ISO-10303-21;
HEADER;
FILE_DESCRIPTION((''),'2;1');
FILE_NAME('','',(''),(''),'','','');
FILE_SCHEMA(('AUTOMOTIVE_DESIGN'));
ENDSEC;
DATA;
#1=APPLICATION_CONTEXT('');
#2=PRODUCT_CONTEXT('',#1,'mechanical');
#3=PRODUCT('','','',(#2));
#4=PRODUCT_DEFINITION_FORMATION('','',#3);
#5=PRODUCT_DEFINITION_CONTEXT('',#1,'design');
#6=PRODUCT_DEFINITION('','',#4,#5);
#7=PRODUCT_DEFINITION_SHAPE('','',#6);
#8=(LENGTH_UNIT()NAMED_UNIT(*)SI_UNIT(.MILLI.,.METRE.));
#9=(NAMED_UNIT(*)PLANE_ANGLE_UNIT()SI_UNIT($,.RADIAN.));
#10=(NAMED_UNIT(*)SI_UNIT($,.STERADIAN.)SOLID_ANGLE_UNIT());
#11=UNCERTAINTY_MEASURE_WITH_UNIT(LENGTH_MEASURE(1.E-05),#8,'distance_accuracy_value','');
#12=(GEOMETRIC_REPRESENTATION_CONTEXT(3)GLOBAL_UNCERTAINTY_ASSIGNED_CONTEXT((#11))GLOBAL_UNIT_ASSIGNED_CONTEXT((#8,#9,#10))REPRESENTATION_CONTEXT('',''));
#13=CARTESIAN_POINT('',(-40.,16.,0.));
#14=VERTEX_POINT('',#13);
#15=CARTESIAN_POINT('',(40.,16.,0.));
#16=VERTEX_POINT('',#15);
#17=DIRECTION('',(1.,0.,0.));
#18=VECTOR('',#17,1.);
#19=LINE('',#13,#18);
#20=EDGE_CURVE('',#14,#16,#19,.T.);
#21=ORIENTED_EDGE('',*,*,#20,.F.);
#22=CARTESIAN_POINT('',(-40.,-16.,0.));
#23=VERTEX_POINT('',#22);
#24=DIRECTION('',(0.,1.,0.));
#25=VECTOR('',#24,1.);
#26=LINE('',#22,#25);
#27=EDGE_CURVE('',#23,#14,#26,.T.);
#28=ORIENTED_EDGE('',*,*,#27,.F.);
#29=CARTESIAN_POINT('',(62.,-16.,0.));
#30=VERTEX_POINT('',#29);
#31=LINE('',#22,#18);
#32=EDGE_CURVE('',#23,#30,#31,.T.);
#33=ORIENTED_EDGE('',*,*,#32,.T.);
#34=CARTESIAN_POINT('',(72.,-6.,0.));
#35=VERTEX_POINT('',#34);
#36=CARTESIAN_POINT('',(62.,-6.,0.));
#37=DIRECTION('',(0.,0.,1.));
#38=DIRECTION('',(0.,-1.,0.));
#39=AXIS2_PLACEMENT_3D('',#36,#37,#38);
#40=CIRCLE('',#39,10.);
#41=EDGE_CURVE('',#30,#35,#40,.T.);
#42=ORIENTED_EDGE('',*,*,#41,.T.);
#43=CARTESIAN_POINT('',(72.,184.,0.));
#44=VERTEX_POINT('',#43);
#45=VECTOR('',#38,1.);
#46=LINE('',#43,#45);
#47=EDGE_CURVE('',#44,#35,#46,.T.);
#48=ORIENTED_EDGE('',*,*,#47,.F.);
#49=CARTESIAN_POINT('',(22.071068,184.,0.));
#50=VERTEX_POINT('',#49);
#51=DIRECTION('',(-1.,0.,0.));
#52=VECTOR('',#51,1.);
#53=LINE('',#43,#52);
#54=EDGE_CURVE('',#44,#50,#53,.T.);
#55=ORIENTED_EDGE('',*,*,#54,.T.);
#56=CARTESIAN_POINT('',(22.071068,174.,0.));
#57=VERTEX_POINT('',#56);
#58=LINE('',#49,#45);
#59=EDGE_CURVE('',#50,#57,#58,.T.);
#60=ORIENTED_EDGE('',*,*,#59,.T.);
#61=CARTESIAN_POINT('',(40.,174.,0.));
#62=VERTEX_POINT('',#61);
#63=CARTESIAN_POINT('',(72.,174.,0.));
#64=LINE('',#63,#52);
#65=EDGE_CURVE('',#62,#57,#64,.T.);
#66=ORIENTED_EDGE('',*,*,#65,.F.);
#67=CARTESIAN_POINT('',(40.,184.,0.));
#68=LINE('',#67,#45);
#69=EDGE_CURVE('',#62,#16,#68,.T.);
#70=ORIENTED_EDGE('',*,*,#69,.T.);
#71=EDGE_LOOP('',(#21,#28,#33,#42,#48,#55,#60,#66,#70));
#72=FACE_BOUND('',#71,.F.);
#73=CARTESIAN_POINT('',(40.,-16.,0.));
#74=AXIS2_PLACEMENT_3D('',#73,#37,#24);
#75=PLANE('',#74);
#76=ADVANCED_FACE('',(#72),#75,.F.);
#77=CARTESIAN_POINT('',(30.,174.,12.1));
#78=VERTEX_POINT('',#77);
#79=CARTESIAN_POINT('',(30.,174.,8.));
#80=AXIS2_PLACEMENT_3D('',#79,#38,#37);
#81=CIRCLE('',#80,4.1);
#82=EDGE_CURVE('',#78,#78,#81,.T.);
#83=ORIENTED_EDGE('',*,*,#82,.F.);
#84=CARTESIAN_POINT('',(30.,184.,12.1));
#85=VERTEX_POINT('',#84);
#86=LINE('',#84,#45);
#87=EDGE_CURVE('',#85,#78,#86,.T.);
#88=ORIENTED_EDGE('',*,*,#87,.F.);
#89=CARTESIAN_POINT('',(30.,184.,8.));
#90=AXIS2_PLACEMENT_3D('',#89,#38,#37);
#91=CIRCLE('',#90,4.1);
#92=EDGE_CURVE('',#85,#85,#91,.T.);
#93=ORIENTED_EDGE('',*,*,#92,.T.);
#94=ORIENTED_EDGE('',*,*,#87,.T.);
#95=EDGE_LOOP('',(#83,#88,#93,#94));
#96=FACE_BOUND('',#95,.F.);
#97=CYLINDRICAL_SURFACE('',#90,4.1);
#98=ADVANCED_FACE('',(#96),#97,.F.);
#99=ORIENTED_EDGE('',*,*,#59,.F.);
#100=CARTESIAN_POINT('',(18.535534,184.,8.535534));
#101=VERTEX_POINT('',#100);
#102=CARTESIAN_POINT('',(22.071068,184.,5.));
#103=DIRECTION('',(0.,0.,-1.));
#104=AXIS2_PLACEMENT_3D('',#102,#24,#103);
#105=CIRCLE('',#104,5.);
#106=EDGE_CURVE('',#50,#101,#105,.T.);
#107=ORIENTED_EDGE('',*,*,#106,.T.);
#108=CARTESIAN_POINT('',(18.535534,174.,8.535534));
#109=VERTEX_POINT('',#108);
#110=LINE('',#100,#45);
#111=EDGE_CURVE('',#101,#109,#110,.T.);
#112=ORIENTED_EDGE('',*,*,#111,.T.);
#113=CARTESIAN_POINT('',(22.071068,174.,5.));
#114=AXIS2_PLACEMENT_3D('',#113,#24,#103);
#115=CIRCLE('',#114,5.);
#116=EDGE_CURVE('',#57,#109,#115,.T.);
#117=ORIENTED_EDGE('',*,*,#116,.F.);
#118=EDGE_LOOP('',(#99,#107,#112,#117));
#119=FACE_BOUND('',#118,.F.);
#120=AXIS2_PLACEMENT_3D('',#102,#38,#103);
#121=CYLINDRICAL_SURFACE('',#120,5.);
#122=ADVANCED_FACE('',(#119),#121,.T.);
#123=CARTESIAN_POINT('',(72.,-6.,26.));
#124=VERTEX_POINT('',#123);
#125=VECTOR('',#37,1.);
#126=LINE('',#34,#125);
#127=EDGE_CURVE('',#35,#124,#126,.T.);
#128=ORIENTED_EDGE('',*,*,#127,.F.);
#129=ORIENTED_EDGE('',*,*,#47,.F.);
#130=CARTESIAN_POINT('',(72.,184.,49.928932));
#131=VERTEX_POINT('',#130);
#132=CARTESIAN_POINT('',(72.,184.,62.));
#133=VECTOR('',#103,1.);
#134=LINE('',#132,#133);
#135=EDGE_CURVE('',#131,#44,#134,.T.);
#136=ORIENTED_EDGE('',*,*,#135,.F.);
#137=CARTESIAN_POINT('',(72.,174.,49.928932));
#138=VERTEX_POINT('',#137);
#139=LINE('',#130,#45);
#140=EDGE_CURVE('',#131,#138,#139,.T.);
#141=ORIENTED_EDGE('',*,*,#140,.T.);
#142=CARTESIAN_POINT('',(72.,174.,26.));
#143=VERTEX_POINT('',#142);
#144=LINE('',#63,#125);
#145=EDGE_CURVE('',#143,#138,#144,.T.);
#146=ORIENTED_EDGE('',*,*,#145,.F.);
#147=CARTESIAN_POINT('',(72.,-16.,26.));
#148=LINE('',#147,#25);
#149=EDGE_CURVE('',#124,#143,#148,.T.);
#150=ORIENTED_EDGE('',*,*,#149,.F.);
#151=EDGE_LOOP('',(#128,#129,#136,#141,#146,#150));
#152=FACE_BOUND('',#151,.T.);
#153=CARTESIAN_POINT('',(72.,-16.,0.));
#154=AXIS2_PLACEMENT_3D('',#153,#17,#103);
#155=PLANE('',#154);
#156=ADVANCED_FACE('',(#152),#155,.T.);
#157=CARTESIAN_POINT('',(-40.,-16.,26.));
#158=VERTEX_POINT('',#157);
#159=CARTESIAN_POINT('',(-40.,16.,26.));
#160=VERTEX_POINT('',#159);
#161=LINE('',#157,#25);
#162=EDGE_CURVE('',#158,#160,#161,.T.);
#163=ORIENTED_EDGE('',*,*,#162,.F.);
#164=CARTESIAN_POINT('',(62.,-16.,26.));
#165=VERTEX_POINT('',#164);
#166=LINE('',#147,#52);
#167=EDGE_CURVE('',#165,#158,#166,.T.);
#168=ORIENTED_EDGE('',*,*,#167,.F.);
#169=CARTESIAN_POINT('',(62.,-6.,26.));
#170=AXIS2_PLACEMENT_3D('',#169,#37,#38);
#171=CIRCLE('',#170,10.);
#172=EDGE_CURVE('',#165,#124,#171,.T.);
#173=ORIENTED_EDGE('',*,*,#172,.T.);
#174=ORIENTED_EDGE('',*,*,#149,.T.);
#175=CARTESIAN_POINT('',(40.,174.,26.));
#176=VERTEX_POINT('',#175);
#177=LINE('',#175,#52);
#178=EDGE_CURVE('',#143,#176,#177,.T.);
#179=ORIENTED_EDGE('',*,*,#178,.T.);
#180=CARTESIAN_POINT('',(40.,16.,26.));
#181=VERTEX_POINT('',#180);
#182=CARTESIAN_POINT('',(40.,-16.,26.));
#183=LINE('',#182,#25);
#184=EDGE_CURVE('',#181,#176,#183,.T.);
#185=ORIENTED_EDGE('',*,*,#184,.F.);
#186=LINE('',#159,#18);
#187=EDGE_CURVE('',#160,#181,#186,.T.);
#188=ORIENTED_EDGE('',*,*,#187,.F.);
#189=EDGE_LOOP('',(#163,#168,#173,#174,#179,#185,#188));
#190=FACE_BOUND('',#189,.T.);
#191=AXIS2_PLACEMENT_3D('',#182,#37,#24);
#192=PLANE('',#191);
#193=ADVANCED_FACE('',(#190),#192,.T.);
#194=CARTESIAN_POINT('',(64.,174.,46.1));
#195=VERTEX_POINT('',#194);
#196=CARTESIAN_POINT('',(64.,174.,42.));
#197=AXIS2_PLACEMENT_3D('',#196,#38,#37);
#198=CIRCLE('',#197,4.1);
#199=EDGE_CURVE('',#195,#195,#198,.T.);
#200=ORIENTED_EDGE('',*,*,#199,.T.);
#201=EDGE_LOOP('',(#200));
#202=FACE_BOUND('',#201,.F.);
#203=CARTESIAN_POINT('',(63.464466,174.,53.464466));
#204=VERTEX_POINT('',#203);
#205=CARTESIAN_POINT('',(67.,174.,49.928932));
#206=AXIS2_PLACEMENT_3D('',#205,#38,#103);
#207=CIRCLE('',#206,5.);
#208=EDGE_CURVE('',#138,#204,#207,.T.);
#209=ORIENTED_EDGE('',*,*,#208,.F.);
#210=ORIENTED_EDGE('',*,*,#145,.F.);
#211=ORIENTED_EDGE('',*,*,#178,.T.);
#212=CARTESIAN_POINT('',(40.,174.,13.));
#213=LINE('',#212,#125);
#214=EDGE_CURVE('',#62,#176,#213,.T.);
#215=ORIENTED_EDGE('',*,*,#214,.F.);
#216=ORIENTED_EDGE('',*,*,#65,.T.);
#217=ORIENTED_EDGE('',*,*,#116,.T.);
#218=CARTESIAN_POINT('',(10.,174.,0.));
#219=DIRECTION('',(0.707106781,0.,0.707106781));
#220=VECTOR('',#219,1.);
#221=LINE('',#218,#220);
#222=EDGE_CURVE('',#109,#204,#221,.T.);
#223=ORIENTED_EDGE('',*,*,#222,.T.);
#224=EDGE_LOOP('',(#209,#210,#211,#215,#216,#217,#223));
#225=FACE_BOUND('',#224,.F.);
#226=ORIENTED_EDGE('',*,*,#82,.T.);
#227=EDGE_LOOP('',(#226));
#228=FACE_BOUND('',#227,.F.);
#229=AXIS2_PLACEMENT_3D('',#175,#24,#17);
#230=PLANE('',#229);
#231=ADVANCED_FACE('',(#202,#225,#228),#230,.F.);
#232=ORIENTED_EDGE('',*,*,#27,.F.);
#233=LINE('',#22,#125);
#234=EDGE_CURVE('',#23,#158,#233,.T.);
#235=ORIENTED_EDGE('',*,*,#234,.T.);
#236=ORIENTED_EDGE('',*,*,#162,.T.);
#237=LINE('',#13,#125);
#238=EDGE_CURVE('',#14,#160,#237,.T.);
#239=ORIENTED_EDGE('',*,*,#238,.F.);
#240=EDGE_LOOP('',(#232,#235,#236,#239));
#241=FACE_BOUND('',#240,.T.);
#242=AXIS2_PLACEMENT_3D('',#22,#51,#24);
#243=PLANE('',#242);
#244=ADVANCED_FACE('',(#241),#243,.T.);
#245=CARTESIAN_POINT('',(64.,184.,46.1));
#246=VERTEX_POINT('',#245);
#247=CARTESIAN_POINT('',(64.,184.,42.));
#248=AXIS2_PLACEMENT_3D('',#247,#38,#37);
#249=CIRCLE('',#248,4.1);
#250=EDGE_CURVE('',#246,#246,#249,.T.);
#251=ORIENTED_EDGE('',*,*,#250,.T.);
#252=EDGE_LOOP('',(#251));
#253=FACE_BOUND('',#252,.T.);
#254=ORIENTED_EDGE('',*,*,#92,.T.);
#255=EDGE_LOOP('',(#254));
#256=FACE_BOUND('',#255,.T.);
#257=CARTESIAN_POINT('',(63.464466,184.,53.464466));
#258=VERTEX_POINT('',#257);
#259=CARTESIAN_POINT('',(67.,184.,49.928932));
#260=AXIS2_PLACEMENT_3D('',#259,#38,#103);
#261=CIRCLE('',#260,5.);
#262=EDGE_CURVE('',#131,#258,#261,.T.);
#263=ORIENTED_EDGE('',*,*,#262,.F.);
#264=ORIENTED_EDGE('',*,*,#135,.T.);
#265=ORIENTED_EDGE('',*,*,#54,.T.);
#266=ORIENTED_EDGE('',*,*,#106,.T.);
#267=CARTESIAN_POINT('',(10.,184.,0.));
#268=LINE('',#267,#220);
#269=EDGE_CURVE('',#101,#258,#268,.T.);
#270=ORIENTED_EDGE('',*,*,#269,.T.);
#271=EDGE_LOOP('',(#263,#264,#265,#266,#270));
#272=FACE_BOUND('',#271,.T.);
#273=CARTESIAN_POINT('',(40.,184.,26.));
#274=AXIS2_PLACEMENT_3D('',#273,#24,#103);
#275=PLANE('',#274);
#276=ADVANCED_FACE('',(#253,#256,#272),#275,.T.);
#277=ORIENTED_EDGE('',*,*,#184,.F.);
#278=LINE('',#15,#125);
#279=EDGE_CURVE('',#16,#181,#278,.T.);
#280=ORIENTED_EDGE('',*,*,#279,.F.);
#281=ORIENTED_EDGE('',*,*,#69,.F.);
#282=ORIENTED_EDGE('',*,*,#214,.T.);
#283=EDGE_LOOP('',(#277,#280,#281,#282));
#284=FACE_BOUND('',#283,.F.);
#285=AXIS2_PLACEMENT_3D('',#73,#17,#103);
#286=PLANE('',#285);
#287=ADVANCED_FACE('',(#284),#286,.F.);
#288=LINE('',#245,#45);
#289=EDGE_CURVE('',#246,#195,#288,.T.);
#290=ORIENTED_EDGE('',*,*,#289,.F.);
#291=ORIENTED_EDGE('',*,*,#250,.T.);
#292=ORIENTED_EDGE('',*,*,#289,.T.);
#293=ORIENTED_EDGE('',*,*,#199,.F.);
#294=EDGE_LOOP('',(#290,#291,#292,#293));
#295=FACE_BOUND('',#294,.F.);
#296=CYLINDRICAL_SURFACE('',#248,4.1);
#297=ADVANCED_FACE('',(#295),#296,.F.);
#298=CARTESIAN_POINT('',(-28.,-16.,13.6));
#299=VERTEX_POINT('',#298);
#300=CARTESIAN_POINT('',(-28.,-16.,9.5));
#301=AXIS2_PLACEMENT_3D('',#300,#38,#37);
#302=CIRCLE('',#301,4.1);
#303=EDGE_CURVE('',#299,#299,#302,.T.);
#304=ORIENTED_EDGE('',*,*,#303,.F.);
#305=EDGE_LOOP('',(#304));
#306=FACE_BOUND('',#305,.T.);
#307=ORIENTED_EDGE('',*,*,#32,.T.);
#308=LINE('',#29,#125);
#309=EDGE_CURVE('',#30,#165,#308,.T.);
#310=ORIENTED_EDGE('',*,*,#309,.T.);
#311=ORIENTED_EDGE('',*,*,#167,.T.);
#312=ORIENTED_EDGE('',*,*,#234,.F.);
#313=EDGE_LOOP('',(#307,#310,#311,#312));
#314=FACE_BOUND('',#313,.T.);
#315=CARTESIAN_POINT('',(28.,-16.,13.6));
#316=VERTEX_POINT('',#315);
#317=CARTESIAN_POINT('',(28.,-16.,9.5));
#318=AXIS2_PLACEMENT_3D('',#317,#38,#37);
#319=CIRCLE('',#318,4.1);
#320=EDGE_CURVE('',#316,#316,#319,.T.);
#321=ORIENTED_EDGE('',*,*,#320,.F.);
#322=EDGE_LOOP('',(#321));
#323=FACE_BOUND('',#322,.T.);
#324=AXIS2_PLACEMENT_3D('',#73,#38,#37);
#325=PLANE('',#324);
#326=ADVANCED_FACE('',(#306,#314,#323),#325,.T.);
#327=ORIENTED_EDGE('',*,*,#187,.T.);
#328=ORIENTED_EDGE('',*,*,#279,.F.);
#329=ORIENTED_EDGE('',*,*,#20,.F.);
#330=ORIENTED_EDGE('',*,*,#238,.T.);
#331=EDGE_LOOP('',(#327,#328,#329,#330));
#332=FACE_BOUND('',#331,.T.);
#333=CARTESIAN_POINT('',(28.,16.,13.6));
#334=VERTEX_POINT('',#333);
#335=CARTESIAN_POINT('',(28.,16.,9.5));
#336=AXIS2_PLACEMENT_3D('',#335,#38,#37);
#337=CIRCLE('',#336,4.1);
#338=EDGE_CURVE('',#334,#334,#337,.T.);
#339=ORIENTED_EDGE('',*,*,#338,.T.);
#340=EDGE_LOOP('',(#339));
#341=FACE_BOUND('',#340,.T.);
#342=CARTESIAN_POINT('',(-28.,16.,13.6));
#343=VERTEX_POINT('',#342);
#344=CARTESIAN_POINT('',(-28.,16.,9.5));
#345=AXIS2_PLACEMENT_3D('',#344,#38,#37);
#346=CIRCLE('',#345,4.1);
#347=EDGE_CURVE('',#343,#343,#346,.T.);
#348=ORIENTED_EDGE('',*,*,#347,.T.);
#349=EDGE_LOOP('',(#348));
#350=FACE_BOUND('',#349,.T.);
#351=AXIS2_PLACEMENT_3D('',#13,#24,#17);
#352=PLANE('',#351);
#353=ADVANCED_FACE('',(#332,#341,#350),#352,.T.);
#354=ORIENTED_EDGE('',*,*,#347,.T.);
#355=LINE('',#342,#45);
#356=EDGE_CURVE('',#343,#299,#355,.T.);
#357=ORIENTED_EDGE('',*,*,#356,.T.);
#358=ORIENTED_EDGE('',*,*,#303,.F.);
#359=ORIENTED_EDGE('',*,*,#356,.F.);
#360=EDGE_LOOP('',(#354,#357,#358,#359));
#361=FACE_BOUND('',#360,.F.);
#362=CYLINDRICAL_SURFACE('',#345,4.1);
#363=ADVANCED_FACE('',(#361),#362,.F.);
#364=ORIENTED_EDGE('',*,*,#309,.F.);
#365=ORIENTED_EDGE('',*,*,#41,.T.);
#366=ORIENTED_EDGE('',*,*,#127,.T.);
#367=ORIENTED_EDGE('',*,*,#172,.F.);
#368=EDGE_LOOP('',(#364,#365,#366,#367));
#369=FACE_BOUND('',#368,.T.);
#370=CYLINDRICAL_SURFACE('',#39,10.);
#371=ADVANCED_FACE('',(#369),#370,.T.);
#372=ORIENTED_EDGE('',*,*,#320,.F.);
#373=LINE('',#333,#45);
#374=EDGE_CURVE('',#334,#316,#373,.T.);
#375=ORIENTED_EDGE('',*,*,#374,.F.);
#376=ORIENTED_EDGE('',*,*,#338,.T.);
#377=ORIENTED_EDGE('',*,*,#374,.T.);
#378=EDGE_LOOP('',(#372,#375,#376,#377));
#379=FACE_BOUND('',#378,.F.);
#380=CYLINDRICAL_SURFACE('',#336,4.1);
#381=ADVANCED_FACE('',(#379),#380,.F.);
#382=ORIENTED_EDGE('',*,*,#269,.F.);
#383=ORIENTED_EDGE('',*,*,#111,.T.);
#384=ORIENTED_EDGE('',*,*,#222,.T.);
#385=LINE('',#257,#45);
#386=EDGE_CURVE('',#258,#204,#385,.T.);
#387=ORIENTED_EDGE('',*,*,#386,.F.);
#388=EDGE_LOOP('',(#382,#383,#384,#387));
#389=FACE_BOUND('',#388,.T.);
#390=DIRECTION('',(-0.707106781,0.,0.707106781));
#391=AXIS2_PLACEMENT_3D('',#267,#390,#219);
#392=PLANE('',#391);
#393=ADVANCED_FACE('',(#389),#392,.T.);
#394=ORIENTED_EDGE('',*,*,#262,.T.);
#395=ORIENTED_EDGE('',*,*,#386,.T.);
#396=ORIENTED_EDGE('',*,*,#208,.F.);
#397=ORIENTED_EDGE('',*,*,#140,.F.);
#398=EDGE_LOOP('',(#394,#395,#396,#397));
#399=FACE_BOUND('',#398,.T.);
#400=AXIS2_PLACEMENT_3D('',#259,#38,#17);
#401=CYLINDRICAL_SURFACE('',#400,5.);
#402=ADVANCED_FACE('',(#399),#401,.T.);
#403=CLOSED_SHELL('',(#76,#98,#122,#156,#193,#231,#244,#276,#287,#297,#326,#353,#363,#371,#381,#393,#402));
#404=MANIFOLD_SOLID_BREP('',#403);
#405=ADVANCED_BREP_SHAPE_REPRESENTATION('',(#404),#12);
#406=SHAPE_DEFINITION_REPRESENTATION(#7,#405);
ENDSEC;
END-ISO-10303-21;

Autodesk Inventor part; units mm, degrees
ref_plane "YZ Plane" through (0, 0, 0) normal (1, 0, 0) x (0, 1, 0)
ref_plane "XZ Plane" through (0, 0, 0) normal (0, 1, 0) x (-1, 0, 0)
ref_plane "XY Plane" through (0, 0, 0) normal (0, 0, 1) x (1, 0, 0)
sketch "Sketch2" plane through (0, 0, 0) normal (0, 0, 1) x (1, 0, 0)
  line L0 (-40, 16) -> (40, 16)
  line L1 (40, 16) -> (40, -16)
  line L2 (40, -16) -> (-40, -16)
  line L3 (-40, -16) -> (-40, 16)
  line L4 (-40, 16) -> (40, -16) construction
  line L5 (40, 16) -> (-40, -16) construction
  point P0 (0, 0)
  dimension "d4" = 32
  dimension "d5" = 80
extrude "Extrusion1" add sketch "Sketch2" along normal blind 26
sketch "Sketch6" plane through (-40, 16, 0) normal (0, 1, 0) x (1, 0, 0)
  line L0 (12, -9.5) -> (0, -9.5) construction
  line L1 (0, 0) -> (0, -26) projected
  line L2 (68, -9.5) -> (80, -9.5) construction
  line L3 (80, 0) -> (80, -26) projected
  line L4 (80, 0) -> (0, 0) projected
  point P0 (40, 0)
  point P1 (74, -9.5)
  dimension "d29" = 56
  dimension "d30" = 9.5
hole "Hole3" at (-28, 16, 9.5) at (28, 16, 9.5) direction (0, -1, 0) diameter 8.2 end through all
sketch "Sketch9" plane through (-40, 16, 0) normal (0, 1, 0) x (1, 0, 0)
  line L0 (0, 0) -> (0, -26) projected
  line L1 (80, -26) -> (0, -26) projected
  line L2 (0, 0) -> (80, -26)
  point P0 (40, 0)
sketch "Sketch10" plane through (-40, 16, 0) normal (0, 1, 0) x (1, 0, 0)
  point P0 (40, 0)
sketch "Sketch11" plane through (40, -16, 0) normal (1, 0, 0) x (0, 0, -1)
  line L0 (0, 0) -> (0, 32) projected
  line L1 (0, 0) -> (-26, 0)
  line L2 (-26, 0) -> (-26, 200)
  line L3 (-26, 200) -> (0, 200)
  line L4 (0, 200) -> (0, 0)
  line L5 (-26, 0) -> (-26, 32) projected
  point P0 (0, 16)
  dimension "d52" = 200
extrude "Extrusion4" add sketch "Sketch11" along normal blind 32
fillet "Fillet1" radius 10 1 edges at (72, -16, 13)
sketch "Sketch13" plane through (40, 184, 26) normal (0, 1, 0) x (1, 0, 0)
  line L0 (32, 26) -> (-30, 26)
  line L1 (0, 26) -> (-80, 26) projected
  line L2 (32, 26) -> (32, 0) projected
  line L3 (32, 26) -> (32, -36)
  line L4 (-30, 26) -> (32, -36)
  point P0 (-40, 26)
  dimension "d58" = 62
extrude "Extrusion5" add sketch "Sketch13" against normal blind 10
fillet "Fillet2" radius 5 1 edges at (10, 179, 0)
fillet "Fillet3" radius 5 1 edges at (72, 179, 62)
sketch "Sketch15" plane through (22.0711, 184, 0) normal (0, 1, 0) x (1, 0, 0)
  line L0 (0, 0) -> (49.9289, 0) projected
  line L1 (49.9289, 0) -> (49.9289, -26) projected
  line L2 (49.9289, 0) -> (17.9289, 0)
  line L3 (17.9289, 0) -> (17.9289, -32)
  line L4 (17.9289, -32) -> (49.9289, -32)
  line L5 (49.9289, -32) -> (49.9289, 0)
  line L6 (49.9289, 0) -> (49.9289, -49.9289) projected
  point P0 (-22.0711, 0)
  point P1 (41.9289, -42)
  point P2 (7.9289, -8)
  dimension "d63" = 8
  dimension "d64" = 32
  dimension "d65" = 32
  dimension "d66" = 10
  dimension "d67" = 10
  dimension "d68" = 8
hole "Hole6" at (30, 184, 8) at (64, 184, 42) direction (0, -1, 0) diameter 8.2 depth 20
properties part number "13042026-12"
